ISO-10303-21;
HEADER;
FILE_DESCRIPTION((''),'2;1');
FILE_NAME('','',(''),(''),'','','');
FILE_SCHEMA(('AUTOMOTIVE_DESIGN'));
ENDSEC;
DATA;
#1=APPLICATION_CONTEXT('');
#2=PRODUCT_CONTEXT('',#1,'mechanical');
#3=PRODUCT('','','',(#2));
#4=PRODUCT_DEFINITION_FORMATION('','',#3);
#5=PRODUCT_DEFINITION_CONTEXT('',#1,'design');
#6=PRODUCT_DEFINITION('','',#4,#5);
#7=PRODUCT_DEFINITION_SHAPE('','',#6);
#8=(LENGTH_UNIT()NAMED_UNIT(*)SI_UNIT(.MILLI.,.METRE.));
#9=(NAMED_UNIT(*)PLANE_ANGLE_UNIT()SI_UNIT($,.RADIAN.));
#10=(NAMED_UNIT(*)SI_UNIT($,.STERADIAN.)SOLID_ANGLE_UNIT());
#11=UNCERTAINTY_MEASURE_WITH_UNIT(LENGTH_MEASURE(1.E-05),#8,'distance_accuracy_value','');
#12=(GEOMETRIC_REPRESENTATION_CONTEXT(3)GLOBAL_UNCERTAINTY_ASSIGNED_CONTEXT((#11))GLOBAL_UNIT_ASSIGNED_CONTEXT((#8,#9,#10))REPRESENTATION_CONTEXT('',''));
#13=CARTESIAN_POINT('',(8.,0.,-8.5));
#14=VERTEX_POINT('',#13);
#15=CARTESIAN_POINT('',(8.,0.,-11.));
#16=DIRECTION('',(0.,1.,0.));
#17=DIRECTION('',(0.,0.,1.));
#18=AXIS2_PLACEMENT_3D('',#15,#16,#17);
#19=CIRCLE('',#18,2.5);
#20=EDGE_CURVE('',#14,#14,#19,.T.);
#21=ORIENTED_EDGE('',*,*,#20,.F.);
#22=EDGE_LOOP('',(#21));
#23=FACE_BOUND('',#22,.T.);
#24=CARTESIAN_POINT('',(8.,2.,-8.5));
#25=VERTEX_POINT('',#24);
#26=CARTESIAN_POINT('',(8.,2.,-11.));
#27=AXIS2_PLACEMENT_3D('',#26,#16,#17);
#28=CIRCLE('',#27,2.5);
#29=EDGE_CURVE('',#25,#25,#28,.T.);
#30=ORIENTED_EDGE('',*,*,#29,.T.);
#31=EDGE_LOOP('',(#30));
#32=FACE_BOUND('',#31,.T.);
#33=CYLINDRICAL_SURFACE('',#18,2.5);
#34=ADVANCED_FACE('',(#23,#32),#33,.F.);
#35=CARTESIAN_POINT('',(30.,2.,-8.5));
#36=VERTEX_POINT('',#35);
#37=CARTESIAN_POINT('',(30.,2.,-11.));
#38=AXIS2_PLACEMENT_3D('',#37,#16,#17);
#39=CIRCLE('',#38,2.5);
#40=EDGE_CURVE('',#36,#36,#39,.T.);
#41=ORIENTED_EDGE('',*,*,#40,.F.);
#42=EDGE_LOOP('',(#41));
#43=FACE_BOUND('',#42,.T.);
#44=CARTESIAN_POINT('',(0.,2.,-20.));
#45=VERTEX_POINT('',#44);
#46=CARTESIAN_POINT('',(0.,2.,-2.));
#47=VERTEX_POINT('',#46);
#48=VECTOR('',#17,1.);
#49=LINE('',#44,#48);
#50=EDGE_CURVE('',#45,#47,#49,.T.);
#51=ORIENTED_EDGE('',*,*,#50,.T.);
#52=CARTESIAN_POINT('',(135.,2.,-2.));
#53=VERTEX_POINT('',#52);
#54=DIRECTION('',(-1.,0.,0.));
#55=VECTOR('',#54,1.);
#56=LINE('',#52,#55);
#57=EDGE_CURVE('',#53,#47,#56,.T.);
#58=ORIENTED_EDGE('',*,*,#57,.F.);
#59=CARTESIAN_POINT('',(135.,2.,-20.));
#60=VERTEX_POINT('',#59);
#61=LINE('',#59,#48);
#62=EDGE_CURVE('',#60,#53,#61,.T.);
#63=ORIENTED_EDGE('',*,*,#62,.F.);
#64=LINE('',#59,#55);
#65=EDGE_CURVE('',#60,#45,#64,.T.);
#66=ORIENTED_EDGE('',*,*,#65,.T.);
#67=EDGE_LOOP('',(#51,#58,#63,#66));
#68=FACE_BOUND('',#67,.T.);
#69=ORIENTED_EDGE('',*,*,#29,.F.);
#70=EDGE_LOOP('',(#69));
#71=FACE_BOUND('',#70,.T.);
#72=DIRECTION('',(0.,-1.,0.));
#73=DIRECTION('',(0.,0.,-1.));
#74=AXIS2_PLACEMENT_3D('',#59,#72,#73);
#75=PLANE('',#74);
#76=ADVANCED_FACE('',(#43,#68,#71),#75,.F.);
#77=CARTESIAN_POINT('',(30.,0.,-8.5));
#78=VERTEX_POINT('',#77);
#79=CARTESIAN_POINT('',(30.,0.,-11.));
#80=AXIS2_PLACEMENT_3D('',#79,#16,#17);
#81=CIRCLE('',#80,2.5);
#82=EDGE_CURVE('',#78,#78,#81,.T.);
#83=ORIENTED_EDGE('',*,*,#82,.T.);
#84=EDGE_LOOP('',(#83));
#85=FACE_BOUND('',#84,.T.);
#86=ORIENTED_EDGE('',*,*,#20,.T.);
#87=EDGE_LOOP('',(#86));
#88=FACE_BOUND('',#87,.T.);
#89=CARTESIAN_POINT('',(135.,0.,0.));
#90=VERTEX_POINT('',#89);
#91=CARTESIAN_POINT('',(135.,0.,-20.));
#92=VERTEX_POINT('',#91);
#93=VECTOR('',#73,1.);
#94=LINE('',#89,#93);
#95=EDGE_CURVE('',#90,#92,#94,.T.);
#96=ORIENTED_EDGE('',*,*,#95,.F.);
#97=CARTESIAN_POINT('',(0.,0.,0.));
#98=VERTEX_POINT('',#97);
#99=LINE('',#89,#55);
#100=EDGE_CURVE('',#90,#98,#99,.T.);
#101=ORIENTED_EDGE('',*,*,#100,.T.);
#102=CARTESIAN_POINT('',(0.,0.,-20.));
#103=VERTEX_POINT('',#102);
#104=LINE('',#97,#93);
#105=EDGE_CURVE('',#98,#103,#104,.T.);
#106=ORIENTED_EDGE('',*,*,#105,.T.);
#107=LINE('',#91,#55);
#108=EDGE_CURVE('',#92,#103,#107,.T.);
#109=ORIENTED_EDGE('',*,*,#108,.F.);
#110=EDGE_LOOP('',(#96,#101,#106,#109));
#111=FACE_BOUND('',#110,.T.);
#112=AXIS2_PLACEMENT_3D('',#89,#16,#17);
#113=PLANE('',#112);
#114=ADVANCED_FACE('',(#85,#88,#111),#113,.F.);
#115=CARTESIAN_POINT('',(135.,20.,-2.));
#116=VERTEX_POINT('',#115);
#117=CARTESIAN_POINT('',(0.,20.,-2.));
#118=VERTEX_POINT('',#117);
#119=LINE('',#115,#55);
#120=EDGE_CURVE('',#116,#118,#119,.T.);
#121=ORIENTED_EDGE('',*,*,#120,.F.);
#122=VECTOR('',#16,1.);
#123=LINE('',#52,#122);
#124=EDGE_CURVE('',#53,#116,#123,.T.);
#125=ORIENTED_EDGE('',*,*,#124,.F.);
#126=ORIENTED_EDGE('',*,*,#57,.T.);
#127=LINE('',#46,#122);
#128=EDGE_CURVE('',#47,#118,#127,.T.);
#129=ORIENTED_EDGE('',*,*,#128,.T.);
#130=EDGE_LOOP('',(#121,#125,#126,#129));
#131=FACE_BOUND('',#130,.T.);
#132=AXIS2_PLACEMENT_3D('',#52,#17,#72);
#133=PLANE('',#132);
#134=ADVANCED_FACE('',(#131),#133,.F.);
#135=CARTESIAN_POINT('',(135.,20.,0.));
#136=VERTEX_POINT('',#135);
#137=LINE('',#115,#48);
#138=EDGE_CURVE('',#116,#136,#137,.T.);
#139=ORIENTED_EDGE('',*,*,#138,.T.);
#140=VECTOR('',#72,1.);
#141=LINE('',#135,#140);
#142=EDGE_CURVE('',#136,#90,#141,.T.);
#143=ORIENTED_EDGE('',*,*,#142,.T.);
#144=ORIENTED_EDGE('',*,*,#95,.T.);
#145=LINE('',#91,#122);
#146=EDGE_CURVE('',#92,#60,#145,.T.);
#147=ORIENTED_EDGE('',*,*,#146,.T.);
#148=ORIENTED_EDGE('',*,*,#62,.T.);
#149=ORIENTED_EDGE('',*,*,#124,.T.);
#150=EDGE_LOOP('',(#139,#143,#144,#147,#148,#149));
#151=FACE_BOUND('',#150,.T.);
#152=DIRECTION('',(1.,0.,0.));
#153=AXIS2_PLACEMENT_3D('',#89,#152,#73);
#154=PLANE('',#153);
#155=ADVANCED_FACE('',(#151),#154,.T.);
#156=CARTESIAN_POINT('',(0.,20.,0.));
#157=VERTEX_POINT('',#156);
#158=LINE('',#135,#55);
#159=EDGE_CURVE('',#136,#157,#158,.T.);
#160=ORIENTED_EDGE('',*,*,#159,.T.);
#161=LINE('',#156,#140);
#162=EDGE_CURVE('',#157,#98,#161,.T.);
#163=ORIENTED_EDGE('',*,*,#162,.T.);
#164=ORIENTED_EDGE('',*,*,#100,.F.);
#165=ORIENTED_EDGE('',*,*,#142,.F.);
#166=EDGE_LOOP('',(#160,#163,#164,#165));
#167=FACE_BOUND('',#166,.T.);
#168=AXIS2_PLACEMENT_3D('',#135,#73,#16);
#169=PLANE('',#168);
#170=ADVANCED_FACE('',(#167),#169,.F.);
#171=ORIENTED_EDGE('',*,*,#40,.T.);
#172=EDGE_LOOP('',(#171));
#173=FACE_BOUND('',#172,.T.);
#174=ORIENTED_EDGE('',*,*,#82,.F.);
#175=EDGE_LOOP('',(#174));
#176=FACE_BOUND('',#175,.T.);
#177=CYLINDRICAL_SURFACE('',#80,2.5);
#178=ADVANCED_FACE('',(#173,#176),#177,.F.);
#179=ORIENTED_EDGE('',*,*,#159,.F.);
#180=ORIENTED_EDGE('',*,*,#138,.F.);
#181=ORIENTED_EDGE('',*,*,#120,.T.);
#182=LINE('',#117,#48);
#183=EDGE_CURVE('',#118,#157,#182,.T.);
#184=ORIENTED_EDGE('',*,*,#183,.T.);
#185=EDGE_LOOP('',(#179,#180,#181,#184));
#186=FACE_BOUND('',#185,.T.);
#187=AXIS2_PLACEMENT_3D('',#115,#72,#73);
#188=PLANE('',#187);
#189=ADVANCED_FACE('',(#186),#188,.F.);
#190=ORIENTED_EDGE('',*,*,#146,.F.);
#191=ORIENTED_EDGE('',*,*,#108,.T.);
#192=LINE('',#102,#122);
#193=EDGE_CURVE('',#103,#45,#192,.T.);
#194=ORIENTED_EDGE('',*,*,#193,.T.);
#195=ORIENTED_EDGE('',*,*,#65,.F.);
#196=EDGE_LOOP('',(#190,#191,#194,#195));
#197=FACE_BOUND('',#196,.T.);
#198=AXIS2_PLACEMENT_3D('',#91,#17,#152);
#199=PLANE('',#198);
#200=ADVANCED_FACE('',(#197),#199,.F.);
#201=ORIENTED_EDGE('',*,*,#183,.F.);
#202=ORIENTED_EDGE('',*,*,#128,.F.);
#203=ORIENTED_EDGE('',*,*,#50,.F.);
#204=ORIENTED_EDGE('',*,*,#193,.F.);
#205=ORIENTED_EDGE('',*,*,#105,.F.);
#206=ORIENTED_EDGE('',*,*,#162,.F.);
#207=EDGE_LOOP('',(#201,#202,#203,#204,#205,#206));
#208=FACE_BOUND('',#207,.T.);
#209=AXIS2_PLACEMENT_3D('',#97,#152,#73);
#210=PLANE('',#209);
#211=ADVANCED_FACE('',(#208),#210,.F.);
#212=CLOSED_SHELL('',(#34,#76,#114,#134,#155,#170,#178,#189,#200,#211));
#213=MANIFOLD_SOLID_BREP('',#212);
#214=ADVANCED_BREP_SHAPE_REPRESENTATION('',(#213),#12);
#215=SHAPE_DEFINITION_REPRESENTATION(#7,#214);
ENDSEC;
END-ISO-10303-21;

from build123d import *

# Parameters (mm, degrees)
BOSS_EXTRUDE1_DEPTH = 135
SKETCH2_R           = 2.5
CUT_EXTRUDE1_DEPTH  = 2


with BuildPart() as part:
    # Sketch1 → Boss-Extrude1 (new body)
    with BuildSketch(Plane(origin=(0, 0, 0), x_dir=(0, 0, -1), z_dir=(1, 0, 0))):
        Polygon((0, 20), (0, 0), (20, 0), (20, 2), (2, 2), (2, 20), align=None)
    extrude(amount=BOSS_EXTRUDE1_DEPTH)

    # Sketch2 → Cut-Extrude1 (cut)
    with BuildSketch(Plane(origin=(0, 2, 0), x_dir=(1, 0, 0), z_dir=(0, 1, 0))):
        with Locations(Location((8, 11, 0), (0, 0, 270))):
            Circle(SKETCH2_R)
        with Locations(Location((30, 11, 0), (0, 0, 270))):
            Circle(SKETCH2_R)
    extrude(amount=-CUT_EXTRUDE1_DEPTH, mode=Mode.SUBTRACT)


solid = part.part
